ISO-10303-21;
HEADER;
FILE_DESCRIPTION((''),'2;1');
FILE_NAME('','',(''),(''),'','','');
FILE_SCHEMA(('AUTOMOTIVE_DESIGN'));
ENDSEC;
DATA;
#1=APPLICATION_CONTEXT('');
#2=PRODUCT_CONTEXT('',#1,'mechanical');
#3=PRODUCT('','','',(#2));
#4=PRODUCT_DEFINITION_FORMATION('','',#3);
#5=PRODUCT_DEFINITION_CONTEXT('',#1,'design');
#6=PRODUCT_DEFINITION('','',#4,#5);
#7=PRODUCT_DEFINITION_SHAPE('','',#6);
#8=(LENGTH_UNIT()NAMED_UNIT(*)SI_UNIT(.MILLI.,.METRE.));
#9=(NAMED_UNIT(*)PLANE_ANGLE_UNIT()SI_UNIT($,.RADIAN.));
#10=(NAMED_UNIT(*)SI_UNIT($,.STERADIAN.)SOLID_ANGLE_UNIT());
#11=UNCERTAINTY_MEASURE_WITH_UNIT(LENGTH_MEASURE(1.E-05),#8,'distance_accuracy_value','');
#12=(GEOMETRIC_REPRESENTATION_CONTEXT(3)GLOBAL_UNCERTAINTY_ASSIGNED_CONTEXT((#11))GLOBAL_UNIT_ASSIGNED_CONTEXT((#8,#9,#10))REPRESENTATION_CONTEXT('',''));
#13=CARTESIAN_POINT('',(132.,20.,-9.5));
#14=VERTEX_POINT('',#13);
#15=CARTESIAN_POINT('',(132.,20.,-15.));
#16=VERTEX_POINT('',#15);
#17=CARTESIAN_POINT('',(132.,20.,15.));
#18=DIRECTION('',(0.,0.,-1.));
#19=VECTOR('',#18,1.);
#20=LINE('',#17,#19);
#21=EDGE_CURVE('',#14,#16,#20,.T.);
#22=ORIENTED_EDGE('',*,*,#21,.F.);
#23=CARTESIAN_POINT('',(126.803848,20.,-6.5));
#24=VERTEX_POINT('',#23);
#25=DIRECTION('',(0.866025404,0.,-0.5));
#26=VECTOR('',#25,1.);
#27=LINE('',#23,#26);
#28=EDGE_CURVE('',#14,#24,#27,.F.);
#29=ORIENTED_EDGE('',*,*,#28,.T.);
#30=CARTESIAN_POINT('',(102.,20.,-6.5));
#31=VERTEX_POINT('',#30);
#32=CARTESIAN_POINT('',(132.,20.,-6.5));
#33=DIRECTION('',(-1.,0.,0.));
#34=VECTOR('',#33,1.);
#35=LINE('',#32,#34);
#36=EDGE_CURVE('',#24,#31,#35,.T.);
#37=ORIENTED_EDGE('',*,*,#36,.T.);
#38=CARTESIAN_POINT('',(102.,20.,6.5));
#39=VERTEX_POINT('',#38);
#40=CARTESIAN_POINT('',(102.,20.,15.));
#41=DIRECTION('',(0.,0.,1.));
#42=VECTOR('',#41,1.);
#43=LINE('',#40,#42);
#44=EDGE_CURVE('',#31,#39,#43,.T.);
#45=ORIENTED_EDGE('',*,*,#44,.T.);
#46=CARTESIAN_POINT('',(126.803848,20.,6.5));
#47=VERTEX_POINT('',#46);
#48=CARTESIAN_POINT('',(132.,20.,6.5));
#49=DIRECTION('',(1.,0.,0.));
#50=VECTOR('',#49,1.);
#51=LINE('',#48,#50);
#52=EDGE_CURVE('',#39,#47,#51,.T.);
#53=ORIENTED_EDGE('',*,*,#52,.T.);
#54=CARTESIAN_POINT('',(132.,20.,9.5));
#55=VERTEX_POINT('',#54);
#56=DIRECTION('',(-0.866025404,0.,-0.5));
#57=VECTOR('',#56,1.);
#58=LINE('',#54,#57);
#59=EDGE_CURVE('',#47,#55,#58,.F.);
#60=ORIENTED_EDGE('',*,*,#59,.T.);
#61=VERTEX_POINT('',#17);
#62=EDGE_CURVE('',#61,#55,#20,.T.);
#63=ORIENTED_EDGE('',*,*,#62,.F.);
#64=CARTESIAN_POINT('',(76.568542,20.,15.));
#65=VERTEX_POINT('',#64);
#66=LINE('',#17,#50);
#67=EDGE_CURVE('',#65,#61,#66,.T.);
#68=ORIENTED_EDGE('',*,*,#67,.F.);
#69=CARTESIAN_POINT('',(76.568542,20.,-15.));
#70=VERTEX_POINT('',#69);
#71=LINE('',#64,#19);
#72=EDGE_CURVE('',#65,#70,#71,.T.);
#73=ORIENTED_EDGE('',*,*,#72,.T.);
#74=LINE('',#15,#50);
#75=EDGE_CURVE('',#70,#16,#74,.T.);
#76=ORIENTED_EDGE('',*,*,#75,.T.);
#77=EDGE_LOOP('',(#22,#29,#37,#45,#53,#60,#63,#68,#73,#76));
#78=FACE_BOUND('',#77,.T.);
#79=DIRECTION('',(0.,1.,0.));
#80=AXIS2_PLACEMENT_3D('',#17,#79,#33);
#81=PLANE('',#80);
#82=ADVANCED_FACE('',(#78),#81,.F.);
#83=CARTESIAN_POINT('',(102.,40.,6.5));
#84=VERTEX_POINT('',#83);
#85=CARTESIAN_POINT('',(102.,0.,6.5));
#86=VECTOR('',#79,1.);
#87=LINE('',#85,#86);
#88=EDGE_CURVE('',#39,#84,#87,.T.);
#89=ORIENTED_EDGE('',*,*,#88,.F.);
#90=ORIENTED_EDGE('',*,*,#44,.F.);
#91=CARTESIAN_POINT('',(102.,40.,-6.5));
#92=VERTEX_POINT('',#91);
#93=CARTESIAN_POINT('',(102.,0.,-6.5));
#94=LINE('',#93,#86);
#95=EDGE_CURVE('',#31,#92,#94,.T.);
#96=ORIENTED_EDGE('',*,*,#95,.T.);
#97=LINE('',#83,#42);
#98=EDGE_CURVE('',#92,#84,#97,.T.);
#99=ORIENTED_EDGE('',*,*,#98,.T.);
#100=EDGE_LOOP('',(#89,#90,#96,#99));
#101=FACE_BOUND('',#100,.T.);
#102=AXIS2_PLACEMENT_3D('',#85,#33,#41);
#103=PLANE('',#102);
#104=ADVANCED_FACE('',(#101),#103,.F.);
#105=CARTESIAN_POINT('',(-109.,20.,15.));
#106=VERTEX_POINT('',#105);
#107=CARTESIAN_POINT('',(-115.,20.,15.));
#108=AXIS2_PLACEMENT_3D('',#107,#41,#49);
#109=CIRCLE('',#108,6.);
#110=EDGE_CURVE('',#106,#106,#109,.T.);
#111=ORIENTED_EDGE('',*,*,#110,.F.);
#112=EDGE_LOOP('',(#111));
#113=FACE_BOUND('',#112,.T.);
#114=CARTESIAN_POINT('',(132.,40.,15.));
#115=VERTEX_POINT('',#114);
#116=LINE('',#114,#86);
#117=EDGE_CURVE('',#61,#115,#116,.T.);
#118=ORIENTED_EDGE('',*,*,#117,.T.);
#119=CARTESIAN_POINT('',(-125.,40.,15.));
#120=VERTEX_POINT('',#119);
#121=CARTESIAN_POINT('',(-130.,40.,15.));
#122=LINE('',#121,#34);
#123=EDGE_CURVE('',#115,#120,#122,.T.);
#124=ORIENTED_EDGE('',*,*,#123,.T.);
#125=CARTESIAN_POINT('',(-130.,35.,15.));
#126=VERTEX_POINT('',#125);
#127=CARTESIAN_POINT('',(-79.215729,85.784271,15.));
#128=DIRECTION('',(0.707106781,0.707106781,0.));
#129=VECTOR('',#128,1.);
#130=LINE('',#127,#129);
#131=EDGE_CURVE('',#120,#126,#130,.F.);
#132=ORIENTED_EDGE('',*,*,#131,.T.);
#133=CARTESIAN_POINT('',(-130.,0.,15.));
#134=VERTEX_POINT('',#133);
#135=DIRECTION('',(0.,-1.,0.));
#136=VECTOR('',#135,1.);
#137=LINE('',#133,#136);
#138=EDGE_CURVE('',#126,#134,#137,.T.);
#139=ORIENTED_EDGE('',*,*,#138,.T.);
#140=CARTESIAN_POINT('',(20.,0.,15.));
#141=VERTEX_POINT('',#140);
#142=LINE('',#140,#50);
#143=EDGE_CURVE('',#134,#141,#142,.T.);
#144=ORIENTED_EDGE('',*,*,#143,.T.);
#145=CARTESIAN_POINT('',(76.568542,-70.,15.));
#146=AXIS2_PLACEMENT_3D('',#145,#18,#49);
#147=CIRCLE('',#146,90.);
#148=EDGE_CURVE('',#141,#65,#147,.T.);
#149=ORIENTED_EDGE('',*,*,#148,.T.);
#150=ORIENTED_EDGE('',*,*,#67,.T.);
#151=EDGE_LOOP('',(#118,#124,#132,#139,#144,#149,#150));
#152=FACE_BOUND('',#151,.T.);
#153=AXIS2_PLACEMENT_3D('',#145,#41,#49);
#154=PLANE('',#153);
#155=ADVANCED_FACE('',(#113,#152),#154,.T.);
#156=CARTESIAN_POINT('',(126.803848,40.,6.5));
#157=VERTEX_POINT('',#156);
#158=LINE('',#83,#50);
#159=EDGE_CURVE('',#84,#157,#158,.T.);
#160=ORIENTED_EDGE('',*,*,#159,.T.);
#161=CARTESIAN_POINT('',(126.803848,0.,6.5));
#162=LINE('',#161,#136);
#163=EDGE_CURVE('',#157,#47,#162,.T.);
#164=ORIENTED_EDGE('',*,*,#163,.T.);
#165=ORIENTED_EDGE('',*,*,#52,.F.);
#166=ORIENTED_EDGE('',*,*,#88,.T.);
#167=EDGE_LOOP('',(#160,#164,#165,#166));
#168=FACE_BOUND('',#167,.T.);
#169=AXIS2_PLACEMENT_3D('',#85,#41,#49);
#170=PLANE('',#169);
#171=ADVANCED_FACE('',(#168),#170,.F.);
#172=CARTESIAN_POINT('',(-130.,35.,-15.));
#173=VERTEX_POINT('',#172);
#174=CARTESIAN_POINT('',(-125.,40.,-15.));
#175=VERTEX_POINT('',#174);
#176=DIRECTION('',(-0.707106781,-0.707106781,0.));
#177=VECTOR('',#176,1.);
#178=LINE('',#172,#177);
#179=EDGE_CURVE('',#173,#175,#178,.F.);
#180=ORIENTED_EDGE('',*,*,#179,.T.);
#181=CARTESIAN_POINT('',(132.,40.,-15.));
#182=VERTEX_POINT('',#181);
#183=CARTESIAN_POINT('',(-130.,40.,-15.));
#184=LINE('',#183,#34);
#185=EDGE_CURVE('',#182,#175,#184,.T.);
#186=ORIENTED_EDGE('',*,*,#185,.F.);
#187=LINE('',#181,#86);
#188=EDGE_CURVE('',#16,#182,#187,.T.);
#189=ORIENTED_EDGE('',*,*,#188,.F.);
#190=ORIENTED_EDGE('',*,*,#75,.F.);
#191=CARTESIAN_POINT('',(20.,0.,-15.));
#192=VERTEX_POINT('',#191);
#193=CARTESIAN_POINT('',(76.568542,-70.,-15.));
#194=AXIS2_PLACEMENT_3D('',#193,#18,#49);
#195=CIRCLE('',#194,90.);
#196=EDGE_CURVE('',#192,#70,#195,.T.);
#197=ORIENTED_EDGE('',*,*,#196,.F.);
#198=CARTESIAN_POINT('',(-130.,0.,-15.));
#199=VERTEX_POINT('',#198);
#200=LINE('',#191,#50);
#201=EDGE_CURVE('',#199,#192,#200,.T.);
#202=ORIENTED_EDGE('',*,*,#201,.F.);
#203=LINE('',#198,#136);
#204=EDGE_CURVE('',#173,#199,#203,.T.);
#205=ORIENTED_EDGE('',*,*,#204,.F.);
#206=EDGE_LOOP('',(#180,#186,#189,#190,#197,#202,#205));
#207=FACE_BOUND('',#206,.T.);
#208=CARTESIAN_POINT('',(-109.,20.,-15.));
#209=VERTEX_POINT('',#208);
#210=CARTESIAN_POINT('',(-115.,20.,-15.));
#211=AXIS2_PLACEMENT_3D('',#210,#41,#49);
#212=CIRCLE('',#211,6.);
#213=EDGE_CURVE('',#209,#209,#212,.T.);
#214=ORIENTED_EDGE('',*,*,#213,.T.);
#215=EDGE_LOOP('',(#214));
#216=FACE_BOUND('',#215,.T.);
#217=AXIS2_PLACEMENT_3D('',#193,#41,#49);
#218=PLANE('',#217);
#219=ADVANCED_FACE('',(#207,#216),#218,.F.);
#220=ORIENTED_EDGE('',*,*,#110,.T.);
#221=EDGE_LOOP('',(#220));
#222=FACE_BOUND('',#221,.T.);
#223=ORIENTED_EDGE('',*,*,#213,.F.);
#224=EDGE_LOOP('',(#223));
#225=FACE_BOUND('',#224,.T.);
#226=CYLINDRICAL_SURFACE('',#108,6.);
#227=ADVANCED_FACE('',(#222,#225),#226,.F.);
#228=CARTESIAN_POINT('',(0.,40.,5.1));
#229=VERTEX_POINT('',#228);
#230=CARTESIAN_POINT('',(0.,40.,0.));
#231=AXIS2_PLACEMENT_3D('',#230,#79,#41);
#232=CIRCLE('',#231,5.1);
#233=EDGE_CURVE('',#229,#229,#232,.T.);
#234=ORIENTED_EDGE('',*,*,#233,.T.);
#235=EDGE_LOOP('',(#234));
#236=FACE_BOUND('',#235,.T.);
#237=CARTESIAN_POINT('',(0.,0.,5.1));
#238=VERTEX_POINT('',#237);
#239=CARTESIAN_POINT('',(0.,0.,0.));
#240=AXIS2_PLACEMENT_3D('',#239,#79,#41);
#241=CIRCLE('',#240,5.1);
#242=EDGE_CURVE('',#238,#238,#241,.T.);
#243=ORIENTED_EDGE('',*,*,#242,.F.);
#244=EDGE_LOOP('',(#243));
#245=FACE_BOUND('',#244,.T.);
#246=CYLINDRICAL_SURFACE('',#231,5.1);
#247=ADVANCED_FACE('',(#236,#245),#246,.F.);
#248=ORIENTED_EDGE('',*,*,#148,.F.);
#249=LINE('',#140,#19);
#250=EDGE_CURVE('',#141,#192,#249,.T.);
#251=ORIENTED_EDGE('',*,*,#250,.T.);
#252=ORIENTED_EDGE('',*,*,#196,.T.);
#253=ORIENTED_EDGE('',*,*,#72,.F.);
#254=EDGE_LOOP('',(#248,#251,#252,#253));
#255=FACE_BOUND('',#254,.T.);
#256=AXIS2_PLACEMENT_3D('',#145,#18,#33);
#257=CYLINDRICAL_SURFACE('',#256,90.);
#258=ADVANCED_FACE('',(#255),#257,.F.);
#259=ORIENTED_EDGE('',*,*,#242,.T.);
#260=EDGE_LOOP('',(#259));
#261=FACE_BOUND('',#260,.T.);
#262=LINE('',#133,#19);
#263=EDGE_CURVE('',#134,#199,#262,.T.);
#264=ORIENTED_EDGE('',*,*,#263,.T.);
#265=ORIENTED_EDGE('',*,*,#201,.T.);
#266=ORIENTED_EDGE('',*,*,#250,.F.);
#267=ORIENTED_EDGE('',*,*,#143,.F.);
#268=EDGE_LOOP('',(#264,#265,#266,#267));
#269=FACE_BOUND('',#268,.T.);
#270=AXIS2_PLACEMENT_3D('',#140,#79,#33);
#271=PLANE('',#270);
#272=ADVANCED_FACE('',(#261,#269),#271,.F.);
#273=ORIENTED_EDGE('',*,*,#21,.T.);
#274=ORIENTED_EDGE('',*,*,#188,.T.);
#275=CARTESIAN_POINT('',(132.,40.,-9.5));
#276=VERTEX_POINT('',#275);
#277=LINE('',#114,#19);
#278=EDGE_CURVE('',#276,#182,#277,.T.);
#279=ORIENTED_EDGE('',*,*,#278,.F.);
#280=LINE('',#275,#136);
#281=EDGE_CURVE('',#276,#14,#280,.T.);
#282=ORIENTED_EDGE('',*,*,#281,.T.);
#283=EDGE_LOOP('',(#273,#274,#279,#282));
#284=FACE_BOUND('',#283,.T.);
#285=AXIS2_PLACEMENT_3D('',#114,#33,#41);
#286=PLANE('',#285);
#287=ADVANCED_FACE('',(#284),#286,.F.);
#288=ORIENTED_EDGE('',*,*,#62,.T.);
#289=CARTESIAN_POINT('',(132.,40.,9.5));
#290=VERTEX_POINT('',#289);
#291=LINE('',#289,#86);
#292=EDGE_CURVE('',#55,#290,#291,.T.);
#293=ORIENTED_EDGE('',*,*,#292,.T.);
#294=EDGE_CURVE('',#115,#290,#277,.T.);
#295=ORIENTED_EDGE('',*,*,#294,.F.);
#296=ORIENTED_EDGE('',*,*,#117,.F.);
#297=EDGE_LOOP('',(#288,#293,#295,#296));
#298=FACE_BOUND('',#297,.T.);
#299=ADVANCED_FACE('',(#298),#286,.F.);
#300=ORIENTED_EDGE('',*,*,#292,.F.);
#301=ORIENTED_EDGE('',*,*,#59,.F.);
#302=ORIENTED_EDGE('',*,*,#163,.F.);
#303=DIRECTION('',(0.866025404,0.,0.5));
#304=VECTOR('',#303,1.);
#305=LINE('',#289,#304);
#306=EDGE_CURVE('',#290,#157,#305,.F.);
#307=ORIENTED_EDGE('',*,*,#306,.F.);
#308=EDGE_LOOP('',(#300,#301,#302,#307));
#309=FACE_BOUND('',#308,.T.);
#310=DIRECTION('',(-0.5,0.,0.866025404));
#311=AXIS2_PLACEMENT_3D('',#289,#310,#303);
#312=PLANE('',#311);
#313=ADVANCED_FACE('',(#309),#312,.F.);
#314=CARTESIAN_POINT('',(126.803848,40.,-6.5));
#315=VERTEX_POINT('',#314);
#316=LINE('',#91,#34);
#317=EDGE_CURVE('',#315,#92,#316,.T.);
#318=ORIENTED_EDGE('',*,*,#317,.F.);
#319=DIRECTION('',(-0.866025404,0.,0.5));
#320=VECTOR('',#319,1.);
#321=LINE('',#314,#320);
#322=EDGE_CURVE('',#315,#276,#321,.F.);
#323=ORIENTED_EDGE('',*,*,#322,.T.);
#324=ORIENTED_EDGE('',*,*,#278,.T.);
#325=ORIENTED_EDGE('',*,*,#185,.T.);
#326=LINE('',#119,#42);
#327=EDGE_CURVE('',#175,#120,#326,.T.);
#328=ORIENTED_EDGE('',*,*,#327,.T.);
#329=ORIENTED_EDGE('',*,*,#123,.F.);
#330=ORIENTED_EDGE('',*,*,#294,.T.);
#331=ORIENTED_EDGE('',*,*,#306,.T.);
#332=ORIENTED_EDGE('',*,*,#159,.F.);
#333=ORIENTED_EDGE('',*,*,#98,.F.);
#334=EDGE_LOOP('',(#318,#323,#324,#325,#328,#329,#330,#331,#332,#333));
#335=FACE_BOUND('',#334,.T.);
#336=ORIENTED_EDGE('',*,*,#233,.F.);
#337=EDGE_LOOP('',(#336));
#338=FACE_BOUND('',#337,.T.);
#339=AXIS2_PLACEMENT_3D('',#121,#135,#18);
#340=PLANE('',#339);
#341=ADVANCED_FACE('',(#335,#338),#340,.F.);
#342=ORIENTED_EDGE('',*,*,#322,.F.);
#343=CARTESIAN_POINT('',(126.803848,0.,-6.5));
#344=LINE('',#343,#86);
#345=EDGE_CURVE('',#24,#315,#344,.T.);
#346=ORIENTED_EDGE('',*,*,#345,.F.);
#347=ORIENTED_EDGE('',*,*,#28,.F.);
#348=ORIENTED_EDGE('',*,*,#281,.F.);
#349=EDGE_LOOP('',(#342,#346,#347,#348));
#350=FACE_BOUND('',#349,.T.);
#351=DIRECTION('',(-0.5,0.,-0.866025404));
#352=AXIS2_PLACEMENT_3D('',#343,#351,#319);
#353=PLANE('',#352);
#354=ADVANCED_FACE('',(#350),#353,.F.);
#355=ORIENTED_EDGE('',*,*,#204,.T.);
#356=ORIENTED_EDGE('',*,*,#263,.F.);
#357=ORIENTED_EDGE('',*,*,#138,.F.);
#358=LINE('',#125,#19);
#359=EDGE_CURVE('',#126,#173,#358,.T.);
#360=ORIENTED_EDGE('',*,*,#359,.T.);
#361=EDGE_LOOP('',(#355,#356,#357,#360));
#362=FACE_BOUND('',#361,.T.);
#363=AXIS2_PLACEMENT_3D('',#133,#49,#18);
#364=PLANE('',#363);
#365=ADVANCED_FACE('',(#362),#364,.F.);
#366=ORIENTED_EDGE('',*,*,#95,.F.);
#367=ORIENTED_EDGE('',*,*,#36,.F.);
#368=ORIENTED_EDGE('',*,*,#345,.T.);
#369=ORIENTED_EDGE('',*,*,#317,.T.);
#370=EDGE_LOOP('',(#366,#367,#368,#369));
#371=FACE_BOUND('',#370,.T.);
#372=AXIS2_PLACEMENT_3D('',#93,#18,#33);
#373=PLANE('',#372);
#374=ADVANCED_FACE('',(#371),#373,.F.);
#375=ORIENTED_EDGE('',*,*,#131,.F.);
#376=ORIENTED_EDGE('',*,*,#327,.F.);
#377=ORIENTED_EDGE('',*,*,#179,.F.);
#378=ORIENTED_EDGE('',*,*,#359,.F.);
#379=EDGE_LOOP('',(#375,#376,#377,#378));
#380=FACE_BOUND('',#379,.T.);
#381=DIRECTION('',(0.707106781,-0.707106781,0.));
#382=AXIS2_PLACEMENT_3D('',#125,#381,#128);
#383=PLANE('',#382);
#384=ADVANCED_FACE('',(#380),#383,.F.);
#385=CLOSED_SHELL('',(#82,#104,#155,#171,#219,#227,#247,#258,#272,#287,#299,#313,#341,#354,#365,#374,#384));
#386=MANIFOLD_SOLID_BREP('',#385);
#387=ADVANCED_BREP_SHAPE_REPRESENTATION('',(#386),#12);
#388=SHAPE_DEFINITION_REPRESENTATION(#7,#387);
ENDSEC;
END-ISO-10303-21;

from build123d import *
from OCP.BRepFilletAPI import BRepFilletAPI_MakeChamfer

# Parameters (mm, degrees)
MAIN_BODY_DEPTH            = 15
F_12_0_12_DIAMETER_HOLE1_D = 12
M12X1_75_TAPPED_HOLE2_D    = 10.2
SKETCH4_W                  = 30
SKETCH4_H                  = 13
CUT_OUT_DEPTH              = 139.740765458
C_FER_5_X_45_SIZE          = 5
C_FER_3_X_30_SIZE          = 3
C_FER_3_X_30_SIZE2         = 5.196152423


with BuildPart() as part:
    # Sketch1 → main body (new, symmetric)
    with BuildSketch(Plane.XY):
        with BuildLine():
            Line((20, 0), (-130, 0))
            Line((-130, 0), (-130, 40))
            Line((-130, 40), (132, 40))
            Line((132, 40), (132, 20))
            Line((132, 20), (76.568542495, 20))
            ThreePointArc((76.568542495, 20), (46.568542495, 14.852813742), (20, 0))
        make_face()
    extrude(amount=MAIN_BODY_DEPTH, both=True)

    # Ø12.0 (12) Diameter Hole1 (through all)
    with Locations(Plane(origin=(-115, 20, 15), x_dir=(1, 0, 0), z_dir=(0, 0, 1))):
        with Locations((0, 0)):
            Hole(F_12_0_12_DIAMETER_HOLE1_D / 2)

    # M12x1.75 Tapped Hole2 (through all)
    with Locations(Plane(origin=(0, 40, 0), x_dir=(-1, 0, 0), z_dir=(0, 1, 0))):
        with Locations((0, 0)):
            Hole(M12X1_75_TAPPED_HOLE2_D / 2)

    # Sketch4 → cut out (cut, through all)
    with BuildSketch(Plane(origin=(0, 40, 0), x_dir=(1, 0, 0), z_dir=(0, 1, 0))):
        with Locations((117, 0)):
            Rectangle(SKETCH4_W, SKETCH4_H)
    extrude(amount=-CUT_OUT_DEPTH, mode=Mode.SUBTRACT)

    # C'FER 5 x 45
    c_fer_5_x_45_edges = [part.edges().sort_by_distance(p)[0] for p in [
        (-130, 40, 0),
    ]]
    chamfer(c_fer_5_x_45_edges, length=C_FER_5_X_45_SIZE)

    # C'FER 3 x 30: one chamfer whose edges measure the first distance from different faces: ONE call of the kernel's chamfer builder (chamfer() names one face for all edges)
    c_fer_3_x_30_edges_1 = [part.edges().sort_by_distance(p)[0] for p in [
        (132, 30, -6.5),
    ]]
    c_fer_3_x_30_side_1 = [part.faces().sort_by_distance(p)[0] for p in [
        (132, 30, -10.75),
    ]]
    c_fer_3_x_30_edges_2 = [part.edges().sort_by_distance(p)[0] for p in [
        (132, 30, 6.5),
    ]]
    c_fer_3_x_30_side_2 = [part.faces().sort_by_distance(p)[0] for p in [
        (132, 30, 10.75),
    ]]
    c_fer_3_x_30 = BRepFilletAPI_MakeChamfer(part.part.solid().wrapped)
    for e in c_fer_3_x_30_edges_1:
        c_fer_3_x_30.Add(C_FER_3_X_30_SIZE, C_FER_3_X_30_SIZE2, e.wrapped, c_fer_3_x_30_side_1[0].wrapped)  # the first distance lies on this face
    for e in c_fer_3_x_30_edges_2:
        c_fer_3_x_30.Add(C_FER_3_X_30_SIZE, C_FER_3_X_30_SIZE2, e.wrapped, c_fer_3_x_30_side_2[0].wrapped)  # the first distance lies on this face
    add(Compound.cast(c_fer_3_x_30.Shape()), mode=Mode.REPLACE)


solid = part.part
